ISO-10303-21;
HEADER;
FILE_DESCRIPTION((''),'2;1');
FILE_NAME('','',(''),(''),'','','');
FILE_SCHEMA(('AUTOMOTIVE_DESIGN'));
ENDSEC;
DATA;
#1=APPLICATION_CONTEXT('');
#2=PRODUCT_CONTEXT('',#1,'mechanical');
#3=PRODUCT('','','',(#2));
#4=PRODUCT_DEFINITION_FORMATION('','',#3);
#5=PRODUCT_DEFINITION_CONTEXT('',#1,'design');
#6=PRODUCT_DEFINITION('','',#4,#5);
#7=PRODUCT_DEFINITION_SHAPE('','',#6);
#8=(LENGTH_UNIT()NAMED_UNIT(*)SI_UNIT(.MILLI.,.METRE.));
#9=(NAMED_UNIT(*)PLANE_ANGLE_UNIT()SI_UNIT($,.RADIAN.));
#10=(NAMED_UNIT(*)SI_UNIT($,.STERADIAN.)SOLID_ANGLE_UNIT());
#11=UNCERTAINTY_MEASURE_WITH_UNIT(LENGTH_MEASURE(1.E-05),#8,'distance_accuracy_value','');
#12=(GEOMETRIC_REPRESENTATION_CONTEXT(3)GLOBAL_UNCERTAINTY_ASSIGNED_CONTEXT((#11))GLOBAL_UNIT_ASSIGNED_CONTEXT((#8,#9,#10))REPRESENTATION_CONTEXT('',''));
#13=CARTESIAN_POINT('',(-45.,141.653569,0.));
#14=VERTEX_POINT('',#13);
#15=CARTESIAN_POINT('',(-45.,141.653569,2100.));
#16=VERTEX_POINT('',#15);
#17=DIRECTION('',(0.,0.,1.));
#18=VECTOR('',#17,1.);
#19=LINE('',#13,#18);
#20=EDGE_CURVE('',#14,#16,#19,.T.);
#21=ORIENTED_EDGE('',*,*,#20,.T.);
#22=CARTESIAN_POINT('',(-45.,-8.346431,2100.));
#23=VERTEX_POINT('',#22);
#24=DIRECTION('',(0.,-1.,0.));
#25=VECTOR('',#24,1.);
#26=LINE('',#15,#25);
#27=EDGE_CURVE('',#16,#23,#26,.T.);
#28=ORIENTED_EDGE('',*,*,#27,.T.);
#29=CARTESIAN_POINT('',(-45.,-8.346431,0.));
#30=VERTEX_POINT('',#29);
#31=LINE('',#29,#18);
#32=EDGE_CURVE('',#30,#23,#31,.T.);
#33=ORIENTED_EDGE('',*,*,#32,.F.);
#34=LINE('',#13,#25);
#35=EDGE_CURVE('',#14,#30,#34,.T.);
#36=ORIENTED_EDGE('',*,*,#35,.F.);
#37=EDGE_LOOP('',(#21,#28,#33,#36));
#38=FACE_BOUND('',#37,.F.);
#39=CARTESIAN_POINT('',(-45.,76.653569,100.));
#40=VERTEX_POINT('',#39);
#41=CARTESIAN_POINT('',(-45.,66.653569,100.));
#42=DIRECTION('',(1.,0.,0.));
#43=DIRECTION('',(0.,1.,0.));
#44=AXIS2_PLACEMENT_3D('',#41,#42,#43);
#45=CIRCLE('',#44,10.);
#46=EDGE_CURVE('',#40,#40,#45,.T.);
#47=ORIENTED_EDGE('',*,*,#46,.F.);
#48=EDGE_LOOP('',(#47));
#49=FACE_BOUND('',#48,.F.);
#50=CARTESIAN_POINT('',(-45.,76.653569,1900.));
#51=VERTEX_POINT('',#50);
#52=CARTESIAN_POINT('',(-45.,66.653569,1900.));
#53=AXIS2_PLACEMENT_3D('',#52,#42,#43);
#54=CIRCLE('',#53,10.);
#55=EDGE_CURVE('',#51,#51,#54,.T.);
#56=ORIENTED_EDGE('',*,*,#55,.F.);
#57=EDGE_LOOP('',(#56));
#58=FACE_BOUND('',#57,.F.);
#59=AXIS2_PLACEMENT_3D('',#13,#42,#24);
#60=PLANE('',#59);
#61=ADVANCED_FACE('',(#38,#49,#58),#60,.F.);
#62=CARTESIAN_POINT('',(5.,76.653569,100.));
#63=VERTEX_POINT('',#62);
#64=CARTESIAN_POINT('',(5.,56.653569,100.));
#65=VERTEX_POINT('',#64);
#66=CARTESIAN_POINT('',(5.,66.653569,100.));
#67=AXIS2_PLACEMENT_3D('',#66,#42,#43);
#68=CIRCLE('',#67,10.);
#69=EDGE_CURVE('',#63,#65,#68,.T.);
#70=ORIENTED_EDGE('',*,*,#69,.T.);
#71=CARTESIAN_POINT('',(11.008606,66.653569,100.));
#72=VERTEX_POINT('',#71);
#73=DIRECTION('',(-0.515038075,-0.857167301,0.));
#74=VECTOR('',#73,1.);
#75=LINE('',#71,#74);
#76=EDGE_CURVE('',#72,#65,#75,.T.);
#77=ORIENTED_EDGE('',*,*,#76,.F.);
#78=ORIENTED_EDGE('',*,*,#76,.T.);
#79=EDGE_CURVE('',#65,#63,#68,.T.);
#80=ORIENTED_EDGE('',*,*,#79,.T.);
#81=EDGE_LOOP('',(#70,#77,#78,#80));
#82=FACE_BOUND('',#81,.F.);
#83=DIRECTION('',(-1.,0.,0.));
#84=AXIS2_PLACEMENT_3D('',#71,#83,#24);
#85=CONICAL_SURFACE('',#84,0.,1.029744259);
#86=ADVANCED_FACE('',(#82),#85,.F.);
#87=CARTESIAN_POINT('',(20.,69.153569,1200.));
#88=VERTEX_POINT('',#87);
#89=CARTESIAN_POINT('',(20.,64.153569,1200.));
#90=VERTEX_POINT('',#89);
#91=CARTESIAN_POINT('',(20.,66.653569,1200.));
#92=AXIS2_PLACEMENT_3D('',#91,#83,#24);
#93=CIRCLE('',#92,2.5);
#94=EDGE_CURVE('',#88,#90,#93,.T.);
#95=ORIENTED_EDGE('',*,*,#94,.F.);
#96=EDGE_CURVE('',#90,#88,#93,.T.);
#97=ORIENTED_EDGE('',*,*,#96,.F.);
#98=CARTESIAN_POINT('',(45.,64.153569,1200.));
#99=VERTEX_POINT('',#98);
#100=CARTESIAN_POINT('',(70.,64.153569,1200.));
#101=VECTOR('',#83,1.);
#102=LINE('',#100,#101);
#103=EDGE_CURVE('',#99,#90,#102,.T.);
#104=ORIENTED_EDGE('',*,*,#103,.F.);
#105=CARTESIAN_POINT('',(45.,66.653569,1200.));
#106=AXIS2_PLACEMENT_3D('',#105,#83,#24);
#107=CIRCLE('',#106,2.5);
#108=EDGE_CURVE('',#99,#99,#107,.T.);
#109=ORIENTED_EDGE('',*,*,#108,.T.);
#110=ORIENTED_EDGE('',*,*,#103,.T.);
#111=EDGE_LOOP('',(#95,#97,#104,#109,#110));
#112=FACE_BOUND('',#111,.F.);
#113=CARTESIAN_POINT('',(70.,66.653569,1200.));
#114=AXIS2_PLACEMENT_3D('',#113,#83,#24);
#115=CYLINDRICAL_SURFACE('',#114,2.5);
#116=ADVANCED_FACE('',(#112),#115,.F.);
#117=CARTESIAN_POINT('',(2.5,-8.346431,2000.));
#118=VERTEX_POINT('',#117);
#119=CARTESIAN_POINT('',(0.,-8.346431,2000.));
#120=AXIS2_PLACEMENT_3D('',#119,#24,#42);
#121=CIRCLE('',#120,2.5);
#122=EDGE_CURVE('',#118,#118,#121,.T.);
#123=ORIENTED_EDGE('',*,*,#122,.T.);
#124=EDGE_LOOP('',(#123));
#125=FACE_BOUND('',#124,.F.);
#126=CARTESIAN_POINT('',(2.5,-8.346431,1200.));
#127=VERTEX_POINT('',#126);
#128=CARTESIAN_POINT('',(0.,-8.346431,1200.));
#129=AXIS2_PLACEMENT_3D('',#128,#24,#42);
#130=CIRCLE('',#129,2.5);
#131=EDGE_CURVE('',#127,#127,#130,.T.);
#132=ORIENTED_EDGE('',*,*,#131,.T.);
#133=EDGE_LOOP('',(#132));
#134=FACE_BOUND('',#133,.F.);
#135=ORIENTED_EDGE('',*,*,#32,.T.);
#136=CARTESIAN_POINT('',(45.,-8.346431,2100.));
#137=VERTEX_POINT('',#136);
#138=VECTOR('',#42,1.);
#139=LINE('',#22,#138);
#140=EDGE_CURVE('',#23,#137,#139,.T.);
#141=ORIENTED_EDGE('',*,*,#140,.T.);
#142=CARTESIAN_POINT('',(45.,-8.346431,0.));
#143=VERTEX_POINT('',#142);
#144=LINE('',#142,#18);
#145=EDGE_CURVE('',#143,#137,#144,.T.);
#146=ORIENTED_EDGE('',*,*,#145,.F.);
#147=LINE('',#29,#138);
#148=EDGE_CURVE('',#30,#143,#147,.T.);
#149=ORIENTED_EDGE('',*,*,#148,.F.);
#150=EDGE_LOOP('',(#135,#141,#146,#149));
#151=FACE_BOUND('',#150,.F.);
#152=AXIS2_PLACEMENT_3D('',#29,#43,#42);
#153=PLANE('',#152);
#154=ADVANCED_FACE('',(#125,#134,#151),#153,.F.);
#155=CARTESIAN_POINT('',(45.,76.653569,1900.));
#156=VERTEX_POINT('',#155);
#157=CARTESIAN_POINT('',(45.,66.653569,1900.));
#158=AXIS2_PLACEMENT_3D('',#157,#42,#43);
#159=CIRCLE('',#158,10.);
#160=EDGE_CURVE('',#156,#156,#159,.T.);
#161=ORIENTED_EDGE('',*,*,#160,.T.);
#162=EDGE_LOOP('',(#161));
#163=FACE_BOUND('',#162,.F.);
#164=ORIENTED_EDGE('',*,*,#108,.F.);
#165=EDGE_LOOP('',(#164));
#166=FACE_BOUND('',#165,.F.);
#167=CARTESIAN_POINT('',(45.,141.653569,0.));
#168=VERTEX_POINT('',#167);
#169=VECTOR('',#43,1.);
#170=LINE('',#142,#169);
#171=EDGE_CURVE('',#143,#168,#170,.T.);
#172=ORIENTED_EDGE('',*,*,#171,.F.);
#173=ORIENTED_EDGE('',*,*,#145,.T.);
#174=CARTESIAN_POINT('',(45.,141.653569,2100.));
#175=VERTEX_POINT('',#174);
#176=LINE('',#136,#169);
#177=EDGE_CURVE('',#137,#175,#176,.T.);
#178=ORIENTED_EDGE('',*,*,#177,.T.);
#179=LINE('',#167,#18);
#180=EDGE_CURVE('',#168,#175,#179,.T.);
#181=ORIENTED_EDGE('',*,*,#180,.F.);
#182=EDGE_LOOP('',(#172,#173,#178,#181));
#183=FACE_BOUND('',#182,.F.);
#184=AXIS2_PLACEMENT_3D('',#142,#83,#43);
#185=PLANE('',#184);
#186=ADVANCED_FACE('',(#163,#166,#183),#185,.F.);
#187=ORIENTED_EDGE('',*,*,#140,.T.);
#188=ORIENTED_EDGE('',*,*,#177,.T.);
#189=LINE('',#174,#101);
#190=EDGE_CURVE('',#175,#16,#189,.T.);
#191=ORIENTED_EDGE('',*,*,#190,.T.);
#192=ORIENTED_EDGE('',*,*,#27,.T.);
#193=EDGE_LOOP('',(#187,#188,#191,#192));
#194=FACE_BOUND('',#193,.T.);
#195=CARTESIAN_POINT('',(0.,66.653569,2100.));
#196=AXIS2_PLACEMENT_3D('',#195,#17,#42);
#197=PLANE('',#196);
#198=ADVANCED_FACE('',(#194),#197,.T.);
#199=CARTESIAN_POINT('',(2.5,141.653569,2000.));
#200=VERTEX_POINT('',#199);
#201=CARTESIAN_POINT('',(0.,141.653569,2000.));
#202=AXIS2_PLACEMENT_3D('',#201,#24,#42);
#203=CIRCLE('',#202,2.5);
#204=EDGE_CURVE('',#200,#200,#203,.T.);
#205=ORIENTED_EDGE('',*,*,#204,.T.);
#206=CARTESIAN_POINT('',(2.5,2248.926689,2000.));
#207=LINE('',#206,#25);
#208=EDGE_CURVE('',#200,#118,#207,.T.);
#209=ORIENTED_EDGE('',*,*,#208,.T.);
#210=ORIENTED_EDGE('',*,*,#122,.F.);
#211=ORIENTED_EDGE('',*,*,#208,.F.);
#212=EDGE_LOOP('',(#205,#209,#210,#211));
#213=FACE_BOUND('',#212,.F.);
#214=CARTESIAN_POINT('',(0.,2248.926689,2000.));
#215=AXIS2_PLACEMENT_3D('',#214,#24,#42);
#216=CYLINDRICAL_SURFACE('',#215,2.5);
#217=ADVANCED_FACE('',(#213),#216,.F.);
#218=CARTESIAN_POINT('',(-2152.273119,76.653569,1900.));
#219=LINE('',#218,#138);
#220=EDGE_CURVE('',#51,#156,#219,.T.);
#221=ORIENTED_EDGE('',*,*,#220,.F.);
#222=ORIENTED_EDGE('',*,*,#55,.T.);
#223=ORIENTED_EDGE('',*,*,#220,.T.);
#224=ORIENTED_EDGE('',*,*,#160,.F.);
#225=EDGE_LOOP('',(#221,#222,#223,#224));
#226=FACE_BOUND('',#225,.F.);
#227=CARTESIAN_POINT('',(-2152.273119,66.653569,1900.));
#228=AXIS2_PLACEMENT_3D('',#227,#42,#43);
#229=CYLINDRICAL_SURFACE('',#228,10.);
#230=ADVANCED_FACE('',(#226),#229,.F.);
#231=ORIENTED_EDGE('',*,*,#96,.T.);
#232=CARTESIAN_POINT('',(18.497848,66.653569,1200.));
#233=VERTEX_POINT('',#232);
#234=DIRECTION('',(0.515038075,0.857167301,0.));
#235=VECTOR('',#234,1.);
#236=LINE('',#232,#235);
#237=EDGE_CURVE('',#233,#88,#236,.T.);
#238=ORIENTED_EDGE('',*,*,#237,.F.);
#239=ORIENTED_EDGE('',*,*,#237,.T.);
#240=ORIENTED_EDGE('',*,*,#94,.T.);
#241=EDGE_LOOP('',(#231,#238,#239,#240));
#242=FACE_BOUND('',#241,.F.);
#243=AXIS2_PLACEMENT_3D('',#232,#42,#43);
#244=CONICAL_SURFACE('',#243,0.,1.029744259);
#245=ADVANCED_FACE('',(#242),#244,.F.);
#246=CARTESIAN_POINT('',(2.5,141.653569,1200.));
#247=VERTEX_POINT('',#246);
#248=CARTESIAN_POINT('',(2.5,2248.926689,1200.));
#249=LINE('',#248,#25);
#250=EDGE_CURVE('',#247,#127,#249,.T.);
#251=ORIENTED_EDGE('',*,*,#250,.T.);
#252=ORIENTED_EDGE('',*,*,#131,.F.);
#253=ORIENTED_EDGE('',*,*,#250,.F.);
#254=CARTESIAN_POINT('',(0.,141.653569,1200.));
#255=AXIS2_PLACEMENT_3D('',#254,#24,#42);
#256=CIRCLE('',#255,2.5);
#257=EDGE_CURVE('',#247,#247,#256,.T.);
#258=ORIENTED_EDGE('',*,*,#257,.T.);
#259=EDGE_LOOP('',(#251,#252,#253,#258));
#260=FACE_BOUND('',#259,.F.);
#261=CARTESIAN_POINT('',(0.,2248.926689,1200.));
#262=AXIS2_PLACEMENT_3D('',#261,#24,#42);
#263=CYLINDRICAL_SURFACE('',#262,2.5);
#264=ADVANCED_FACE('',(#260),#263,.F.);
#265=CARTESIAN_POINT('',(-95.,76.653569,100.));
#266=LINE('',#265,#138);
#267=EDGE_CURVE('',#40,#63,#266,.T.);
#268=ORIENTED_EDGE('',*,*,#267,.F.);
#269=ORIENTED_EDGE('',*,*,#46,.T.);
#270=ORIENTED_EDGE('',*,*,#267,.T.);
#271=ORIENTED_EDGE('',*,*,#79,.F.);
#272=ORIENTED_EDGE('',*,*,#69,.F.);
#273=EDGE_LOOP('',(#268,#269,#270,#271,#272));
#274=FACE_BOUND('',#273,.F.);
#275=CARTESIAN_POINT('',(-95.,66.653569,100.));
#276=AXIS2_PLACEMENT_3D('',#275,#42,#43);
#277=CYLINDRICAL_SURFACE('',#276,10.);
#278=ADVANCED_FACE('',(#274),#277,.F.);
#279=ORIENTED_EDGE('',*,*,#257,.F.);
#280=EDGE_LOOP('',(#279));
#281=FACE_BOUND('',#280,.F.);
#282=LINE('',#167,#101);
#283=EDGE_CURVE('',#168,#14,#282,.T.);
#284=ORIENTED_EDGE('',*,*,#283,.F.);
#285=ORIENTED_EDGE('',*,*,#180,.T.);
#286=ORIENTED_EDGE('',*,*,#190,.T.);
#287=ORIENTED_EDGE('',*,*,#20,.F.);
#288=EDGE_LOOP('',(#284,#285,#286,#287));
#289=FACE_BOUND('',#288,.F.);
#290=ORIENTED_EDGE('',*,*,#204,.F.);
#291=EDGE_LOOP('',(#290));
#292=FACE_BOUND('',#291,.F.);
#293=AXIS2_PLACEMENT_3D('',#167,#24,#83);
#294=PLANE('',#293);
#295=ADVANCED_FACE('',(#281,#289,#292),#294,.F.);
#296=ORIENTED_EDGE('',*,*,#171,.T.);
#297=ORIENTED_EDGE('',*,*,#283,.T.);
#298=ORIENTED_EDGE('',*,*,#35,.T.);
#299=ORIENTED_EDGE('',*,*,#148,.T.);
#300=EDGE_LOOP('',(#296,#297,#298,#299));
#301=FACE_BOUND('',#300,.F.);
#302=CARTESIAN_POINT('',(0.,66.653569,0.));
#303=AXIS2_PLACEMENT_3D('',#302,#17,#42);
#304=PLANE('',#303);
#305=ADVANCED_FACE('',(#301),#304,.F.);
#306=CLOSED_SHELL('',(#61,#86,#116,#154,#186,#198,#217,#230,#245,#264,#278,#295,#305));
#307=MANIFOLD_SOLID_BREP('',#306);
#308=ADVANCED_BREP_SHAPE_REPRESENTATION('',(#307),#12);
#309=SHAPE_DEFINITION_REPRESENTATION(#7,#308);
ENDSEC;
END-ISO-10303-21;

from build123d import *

# Parameters (mm, degrees)
F1_DEPTH = 2100
F3_D     = 5
F3_DEPTH = 25
F3_TIP   = 1.5021515476
F5_D     = 5
F6_D     = 5
F8_D     = 20
F9_D     = 20
F9_DEPTH = 50
F9_TIP   = 6.0086061903


with BuildPart() as f1:
    # F0 (on Top) → F1 (new body)
    with BuildSketch(Plane.XY):
        Polygon((-34.2555230263, 141.6535690603), (-45, 141.6535690603), (-45, -8.3464309397), (45, -8.3464309397), (45, 141.6535690603), (34.2555230263, 141.6535690603), align=None)
    extrude(amount=F1_DEPTH)

    # F3
    with Locations(Plane.YZ.offset(45)):
        with Locations((66.6535690603, 1200)):
            Hole(F3_D / 2, depth=F3_DEPTH)
            with Locations((0, 0, -(F3_DEPTH + F3_TIP / 2))):  # 118° drill point
                Cone(0, F3_D / 2, F3_TIP, mode=Mode.SUBTRACT)

    # F5 (through all)
    with Locations(Plane(origin=(0, 141.6535690603, 0), x_dir=(-1, 0, 0), z_dir=(0, 1, 0))):
        with Locations((0, 2000)):
            Hole(F5_D / 2)

    # F6 (through all)
    with Locations(Plane(origin=(0, 141.6535690603, 0), x_dir=(-1, 0, 0), z_dir=(0, 1, 0))):
        with Locations((0, 1200)):
            Hole(F6_D / 2)

    # F8 (through all)
    with Locations(Plane(origin=(-45, 0, 0), x_dir=(0, -1, 0), z_dir=(-1, 0, 0))):
        with Locations((-66.6535690603, 1900)):
            Hole(F8_D / 2)

    # F9
    with Locations(Plane(origin=(-45, 0, 0), x_dir=(0, -1, 0), z_dir=(-1, 0, 0))):
        with Locations((-66.6535690603, 100)):
            Hole(F9_D / 2, depth=F9_DEPTH)
            with Locations((0, 0, -(F9_DEPTH + F9_TIP / 2))):  # 118° drill point
                Cone(0, F9_D / 2, F9_TIP, mode=Mode.SUBTRACT)


solid = f1.part
